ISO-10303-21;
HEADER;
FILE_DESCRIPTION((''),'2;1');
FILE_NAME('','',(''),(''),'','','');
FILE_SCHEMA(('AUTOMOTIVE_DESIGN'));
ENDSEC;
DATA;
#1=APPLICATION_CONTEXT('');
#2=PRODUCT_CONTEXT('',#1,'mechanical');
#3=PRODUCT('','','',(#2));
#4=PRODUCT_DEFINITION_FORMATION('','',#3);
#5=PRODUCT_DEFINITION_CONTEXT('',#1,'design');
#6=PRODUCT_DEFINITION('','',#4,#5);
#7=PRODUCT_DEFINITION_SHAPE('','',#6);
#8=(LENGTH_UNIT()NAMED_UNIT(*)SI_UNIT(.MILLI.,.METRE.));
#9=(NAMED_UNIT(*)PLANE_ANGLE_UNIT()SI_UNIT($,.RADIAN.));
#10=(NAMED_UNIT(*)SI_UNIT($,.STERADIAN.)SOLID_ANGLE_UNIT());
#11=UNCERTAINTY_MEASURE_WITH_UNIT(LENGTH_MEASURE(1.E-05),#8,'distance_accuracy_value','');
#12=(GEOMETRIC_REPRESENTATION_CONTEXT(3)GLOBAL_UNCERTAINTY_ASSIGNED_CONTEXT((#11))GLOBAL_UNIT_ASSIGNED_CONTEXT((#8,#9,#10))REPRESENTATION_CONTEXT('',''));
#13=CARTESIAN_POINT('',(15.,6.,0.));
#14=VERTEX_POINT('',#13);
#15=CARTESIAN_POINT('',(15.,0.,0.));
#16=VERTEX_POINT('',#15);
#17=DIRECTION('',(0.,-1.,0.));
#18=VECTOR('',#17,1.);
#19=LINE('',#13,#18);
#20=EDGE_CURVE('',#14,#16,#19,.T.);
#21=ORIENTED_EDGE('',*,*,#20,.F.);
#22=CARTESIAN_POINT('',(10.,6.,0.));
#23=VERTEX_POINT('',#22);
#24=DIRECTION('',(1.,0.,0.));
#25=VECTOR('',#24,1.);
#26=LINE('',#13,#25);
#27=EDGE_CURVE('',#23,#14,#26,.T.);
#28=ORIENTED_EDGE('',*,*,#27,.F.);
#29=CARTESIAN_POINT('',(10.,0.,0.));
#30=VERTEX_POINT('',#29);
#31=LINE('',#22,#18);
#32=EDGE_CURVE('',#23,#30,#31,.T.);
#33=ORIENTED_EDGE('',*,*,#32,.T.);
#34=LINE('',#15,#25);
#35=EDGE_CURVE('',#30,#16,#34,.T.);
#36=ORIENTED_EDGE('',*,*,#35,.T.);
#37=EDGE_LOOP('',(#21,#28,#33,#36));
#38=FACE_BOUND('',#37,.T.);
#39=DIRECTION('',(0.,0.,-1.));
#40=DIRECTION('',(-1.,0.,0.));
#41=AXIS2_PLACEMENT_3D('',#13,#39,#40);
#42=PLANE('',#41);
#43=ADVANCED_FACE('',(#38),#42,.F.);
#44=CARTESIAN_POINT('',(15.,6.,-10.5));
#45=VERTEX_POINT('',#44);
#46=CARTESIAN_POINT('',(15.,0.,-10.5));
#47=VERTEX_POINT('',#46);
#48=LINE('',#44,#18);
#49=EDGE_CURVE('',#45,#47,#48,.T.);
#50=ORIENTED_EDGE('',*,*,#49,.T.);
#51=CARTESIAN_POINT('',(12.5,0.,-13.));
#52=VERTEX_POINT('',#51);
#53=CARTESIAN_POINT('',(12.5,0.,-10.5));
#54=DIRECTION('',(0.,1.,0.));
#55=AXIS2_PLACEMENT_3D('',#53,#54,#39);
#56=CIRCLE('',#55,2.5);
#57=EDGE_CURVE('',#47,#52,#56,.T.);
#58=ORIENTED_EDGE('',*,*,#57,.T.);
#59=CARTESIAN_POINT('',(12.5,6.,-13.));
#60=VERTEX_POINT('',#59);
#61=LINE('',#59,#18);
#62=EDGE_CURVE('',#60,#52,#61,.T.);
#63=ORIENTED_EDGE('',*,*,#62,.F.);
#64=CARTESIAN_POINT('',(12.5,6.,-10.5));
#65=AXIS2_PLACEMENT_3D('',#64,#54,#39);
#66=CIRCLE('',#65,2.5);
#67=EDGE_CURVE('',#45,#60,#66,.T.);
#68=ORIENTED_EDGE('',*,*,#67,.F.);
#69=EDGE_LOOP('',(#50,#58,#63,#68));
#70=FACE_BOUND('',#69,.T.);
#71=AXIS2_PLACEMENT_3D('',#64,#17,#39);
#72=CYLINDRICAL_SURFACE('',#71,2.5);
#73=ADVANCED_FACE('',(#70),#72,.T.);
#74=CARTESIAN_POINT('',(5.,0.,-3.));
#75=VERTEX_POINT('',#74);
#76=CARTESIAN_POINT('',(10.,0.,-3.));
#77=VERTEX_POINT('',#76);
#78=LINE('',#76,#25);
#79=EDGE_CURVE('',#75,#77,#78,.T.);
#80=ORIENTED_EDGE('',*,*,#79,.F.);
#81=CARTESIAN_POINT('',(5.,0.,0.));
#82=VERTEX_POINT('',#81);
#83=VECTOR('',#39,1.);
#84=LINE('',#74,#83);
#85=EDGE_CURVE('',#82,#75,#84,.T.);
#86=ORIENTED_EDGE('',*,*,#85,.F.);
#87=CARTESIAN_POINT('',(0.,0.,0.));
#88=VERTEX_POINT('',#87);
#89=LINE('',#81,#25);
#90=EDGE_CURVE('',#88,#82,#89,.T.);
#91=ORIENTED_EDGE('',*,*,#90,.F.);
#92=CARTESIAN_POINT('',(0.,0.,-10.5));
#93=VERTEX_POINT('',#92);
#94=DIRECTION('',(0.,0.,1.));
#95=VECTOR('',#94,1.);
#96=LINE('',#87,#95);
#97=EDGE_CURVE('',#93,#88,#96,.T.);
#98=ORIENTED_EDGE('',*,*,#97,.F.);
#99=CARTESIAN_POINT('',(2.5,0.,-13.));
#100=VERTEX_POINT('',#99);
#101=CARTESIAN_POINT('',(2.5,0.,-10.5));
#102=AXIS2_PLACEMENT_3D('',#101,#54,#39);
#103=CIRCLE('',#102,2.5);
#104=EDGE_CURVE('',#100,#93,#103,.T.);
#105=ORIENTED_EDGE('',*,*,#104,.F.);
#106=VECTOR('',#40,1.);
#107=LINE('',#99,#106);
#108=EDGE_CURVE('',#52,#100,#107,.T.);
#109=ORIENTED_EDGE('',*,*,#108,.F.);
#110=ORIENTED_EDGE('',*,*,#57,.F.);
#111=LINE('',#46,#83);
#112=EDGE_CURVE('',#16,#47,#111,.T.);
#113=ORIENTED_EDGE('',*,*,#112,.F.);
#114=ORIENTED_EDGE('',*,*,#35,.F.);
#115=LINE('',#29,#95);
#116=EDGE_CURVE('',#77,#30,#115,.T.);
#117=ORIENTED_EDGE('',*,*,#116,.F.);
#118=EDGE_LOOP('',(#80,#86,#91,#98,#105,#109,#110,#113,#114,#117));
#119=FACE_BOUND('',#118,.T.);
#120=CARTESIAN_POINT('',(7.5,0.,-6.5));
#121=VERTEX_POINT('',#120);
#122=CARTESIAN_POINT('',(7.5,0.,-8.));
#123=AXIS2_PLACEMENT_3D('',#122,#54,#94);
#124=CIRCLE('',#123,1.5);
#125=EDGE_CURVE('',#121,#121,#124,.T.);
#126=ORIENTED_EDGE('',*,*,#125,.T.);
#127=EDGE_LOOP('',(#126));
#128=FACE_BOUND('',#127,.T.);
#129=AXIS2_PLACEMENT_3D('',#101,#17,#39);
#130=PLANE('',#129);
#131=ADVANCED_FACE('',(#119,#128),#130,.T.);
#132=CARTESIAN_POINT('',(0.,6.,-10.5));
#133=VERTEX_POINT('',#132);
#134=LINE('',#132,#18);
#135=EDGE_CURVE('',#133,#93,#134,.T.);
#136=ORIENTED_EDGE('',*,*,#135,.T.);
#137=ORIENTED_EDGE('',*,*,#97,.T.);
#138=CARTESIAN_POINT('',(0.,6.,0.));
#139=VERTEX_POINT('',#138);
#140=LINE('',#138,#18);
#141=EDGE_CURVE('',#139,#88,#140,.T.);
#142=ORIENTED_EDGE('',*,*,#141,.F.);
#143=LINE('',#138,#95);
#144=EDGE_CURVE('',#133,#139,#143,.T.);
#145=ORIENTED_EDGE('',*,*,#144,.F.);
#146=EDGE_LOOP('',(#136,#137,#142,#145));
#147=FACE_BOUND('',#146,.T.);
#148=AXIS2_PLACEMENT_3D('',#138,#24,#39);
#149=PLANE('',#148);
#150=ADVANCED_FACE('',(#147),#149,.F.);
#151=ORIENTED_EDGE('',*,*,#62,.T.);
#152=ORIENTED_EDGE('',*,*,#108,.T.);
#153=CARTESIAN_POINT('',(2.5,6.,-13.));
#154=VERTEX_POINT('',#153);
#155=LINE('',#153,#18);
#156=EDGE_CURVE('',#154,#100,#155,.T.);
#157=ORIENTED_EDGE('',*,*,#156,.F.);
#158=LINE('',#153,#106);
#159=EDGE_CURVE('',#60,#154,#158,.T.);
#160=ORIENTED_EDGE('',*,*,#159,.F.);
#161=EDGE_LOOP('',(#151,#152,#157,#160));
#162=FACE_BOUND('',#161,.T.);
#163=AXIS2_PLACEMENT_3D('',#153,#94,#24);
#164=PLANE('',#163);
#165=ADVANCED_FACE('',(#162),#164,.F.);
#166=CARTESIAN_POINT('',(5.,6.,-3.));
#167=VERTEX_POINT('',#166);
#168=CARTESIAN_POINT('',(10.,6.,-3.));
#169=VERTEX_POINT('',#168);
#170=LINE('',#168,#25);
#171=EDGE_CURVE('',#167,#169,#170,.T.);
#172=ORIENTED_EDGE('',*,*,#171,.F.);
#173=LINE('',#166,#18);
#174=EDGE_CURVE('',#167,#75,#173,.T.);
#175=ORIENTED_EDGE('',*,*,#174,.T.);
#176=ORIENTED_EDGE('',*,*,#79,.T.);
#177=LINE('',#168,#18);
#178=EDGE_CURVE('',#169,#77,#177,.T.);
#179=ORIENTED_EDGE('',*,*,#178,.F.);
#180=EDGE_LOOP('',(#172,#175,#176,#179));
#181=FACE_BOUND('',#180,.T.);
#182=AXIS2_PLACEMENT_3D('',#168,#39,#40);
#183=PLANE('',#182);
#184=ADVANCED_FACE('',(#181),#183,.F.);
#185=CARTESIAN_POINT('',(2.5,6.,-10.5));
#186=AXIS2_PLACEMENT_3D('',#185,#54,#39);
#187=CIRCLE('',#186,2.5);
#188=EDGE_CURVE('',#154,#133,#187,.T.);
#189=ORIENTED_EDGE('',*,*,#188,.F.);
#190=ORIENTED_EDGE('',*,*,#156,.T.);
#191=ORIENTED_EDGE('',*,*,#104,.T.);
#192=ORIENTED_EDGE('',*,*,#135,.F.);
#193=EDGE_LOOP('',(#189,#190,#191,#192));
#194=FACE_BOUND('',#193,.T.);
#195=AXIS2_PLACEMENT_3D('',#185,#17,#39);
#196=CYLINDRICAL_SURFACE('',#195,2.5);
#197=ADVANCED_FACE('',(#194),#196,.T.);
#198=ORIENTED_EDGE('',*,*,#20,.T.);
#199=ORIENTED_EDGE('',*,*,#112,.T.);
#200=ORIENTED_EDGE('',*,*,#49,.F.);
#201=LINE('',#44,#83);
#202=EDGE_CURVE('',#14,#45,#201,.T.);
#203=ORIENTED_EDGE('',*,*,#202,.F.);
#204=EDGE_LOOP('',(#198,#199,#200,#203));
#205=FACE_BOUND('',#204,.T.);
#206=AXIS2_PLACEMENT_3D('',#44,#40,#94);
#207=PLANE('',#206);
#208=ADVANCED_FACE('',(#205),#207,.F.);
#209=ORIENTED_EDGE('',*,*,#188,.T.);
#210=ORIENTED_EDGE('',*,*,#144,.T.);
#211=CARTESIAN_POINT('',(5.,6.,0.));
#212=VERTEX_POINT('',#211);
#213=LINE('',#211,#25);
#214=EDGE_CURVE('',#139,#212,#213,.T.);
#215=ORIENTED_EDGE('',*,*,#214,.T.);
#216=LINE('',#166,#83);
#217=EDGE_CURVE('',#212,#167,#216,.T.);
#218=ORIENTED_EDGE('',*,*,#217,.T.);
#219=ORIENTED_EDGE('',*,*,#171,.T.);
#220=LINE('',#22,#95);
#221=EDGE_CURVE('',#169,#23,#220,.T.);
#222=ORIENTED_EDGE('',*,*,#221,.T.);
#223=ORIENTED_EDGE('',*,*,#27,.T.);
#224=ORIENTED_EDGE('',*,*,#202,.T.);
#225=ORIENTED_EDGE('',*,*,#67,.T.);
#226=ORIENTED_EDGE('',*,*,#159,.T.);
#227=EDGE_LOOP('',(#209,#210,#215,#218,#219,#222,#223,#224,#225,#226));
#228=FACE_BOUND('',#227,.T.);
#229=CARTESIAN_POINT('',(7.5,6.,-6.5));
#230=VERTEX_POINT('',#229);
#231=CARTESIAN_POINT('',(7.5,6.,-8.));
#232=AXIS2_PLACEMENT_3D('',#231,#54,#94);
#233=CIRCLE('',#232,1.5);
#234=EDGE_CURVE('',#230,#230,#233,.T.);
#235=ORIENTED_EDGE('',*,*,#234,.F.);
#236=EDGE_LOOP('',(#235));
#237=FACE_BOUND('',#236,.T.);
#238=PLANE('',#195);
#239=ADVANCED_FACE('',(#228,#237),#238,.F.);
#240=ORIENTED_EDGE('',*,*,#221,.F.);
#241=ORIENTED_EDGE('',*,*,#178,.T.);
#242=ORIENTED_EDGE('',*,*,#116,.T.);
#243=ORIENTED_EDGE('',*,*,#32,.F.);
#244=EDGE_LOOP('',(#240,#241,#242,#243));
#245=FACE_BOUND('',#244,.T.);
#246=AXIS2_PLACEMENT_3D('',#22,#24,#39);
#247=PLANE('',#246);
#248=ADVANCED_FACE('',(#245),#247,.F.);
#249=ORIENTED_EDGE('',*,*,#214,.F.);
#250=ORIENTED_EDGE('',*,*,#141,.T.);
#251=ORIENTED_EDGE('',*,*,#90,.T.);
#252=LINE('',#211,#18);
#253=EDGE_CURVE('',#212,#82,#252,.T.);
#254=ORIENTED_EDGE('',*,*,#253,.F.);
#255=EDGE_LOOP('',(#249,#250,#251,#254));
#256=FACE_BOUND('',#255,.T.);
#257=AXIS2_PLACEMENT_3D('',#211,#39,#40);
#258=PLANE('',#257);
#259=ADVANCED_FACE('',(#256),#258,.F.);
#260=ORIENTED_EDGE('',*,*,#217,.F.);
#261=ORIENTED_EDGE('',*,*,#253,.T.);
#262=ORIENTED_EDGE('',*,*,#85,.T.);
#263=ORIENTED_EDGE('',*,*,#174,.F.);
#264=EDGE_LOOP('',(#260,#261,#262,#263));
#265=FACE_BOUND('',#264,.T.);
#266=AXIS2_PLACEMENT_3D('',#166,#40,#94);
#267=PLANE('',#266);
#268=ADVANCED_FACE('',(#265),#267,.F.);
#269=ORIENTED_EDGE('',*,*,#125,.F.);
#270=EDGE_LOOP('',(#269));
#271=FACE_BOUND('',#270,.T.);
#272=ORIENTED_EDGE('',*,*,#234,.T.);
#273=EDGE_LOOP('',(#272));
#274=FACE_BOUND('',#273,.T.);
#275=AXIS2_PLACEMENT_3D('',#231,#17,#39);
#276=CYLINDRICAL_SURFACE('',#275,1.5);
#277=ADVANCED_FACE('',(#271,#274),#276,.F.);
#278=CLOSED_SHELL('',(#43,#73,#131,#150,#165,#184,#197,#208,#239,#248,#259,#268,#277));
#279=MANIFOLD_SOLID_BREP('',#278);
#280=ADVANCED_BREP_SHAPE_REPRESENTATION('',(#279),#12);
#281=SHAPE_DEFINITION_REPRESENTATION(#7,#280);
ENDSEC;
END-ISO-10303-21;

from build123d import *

# Parameters (mm, degrees)
SKETCH1_R           = 1.5
BOSS_EXTRUDE1_DEPTH = 6


with BuildPart() as part:
    # Sketch1 → Boss-Extrude1 (new body)
    with BuildSketch(Plane(origin=(0, 0, 0), x_dir=(1, 0, 0), z_dir=(0, 1, 0))):
        with BuildLine():
            Line((0, 0), (0, 10.5))
            ThreePointArc((0, 10.5), (0.732233047, 12.267766953), (2.5, 13))
            Line((2.5, 13), (12.5, 13))
            ThreePointArc((12.5, 13), (14.267766953, 12.267766953), (15, 10.5))
            Line((15, 10.5), (15, 0))
            Line((15, 0), (10, 0))
            Line((10, 0), (10, 3))
            Line((10, 3), (5, 3))
            Line((5, 3), (5, 0))
            Line((5, 0), (0, 0))
        make_face()
        with Locations(Location((7.5, 8, 0), (0, 0, 270))):
            Circle(SKETCH1_R, mode=Mode.SUBTRACT)
    extrude(amount=BOSS_EXTRUDE1_DEPTH)


solid = part.part
